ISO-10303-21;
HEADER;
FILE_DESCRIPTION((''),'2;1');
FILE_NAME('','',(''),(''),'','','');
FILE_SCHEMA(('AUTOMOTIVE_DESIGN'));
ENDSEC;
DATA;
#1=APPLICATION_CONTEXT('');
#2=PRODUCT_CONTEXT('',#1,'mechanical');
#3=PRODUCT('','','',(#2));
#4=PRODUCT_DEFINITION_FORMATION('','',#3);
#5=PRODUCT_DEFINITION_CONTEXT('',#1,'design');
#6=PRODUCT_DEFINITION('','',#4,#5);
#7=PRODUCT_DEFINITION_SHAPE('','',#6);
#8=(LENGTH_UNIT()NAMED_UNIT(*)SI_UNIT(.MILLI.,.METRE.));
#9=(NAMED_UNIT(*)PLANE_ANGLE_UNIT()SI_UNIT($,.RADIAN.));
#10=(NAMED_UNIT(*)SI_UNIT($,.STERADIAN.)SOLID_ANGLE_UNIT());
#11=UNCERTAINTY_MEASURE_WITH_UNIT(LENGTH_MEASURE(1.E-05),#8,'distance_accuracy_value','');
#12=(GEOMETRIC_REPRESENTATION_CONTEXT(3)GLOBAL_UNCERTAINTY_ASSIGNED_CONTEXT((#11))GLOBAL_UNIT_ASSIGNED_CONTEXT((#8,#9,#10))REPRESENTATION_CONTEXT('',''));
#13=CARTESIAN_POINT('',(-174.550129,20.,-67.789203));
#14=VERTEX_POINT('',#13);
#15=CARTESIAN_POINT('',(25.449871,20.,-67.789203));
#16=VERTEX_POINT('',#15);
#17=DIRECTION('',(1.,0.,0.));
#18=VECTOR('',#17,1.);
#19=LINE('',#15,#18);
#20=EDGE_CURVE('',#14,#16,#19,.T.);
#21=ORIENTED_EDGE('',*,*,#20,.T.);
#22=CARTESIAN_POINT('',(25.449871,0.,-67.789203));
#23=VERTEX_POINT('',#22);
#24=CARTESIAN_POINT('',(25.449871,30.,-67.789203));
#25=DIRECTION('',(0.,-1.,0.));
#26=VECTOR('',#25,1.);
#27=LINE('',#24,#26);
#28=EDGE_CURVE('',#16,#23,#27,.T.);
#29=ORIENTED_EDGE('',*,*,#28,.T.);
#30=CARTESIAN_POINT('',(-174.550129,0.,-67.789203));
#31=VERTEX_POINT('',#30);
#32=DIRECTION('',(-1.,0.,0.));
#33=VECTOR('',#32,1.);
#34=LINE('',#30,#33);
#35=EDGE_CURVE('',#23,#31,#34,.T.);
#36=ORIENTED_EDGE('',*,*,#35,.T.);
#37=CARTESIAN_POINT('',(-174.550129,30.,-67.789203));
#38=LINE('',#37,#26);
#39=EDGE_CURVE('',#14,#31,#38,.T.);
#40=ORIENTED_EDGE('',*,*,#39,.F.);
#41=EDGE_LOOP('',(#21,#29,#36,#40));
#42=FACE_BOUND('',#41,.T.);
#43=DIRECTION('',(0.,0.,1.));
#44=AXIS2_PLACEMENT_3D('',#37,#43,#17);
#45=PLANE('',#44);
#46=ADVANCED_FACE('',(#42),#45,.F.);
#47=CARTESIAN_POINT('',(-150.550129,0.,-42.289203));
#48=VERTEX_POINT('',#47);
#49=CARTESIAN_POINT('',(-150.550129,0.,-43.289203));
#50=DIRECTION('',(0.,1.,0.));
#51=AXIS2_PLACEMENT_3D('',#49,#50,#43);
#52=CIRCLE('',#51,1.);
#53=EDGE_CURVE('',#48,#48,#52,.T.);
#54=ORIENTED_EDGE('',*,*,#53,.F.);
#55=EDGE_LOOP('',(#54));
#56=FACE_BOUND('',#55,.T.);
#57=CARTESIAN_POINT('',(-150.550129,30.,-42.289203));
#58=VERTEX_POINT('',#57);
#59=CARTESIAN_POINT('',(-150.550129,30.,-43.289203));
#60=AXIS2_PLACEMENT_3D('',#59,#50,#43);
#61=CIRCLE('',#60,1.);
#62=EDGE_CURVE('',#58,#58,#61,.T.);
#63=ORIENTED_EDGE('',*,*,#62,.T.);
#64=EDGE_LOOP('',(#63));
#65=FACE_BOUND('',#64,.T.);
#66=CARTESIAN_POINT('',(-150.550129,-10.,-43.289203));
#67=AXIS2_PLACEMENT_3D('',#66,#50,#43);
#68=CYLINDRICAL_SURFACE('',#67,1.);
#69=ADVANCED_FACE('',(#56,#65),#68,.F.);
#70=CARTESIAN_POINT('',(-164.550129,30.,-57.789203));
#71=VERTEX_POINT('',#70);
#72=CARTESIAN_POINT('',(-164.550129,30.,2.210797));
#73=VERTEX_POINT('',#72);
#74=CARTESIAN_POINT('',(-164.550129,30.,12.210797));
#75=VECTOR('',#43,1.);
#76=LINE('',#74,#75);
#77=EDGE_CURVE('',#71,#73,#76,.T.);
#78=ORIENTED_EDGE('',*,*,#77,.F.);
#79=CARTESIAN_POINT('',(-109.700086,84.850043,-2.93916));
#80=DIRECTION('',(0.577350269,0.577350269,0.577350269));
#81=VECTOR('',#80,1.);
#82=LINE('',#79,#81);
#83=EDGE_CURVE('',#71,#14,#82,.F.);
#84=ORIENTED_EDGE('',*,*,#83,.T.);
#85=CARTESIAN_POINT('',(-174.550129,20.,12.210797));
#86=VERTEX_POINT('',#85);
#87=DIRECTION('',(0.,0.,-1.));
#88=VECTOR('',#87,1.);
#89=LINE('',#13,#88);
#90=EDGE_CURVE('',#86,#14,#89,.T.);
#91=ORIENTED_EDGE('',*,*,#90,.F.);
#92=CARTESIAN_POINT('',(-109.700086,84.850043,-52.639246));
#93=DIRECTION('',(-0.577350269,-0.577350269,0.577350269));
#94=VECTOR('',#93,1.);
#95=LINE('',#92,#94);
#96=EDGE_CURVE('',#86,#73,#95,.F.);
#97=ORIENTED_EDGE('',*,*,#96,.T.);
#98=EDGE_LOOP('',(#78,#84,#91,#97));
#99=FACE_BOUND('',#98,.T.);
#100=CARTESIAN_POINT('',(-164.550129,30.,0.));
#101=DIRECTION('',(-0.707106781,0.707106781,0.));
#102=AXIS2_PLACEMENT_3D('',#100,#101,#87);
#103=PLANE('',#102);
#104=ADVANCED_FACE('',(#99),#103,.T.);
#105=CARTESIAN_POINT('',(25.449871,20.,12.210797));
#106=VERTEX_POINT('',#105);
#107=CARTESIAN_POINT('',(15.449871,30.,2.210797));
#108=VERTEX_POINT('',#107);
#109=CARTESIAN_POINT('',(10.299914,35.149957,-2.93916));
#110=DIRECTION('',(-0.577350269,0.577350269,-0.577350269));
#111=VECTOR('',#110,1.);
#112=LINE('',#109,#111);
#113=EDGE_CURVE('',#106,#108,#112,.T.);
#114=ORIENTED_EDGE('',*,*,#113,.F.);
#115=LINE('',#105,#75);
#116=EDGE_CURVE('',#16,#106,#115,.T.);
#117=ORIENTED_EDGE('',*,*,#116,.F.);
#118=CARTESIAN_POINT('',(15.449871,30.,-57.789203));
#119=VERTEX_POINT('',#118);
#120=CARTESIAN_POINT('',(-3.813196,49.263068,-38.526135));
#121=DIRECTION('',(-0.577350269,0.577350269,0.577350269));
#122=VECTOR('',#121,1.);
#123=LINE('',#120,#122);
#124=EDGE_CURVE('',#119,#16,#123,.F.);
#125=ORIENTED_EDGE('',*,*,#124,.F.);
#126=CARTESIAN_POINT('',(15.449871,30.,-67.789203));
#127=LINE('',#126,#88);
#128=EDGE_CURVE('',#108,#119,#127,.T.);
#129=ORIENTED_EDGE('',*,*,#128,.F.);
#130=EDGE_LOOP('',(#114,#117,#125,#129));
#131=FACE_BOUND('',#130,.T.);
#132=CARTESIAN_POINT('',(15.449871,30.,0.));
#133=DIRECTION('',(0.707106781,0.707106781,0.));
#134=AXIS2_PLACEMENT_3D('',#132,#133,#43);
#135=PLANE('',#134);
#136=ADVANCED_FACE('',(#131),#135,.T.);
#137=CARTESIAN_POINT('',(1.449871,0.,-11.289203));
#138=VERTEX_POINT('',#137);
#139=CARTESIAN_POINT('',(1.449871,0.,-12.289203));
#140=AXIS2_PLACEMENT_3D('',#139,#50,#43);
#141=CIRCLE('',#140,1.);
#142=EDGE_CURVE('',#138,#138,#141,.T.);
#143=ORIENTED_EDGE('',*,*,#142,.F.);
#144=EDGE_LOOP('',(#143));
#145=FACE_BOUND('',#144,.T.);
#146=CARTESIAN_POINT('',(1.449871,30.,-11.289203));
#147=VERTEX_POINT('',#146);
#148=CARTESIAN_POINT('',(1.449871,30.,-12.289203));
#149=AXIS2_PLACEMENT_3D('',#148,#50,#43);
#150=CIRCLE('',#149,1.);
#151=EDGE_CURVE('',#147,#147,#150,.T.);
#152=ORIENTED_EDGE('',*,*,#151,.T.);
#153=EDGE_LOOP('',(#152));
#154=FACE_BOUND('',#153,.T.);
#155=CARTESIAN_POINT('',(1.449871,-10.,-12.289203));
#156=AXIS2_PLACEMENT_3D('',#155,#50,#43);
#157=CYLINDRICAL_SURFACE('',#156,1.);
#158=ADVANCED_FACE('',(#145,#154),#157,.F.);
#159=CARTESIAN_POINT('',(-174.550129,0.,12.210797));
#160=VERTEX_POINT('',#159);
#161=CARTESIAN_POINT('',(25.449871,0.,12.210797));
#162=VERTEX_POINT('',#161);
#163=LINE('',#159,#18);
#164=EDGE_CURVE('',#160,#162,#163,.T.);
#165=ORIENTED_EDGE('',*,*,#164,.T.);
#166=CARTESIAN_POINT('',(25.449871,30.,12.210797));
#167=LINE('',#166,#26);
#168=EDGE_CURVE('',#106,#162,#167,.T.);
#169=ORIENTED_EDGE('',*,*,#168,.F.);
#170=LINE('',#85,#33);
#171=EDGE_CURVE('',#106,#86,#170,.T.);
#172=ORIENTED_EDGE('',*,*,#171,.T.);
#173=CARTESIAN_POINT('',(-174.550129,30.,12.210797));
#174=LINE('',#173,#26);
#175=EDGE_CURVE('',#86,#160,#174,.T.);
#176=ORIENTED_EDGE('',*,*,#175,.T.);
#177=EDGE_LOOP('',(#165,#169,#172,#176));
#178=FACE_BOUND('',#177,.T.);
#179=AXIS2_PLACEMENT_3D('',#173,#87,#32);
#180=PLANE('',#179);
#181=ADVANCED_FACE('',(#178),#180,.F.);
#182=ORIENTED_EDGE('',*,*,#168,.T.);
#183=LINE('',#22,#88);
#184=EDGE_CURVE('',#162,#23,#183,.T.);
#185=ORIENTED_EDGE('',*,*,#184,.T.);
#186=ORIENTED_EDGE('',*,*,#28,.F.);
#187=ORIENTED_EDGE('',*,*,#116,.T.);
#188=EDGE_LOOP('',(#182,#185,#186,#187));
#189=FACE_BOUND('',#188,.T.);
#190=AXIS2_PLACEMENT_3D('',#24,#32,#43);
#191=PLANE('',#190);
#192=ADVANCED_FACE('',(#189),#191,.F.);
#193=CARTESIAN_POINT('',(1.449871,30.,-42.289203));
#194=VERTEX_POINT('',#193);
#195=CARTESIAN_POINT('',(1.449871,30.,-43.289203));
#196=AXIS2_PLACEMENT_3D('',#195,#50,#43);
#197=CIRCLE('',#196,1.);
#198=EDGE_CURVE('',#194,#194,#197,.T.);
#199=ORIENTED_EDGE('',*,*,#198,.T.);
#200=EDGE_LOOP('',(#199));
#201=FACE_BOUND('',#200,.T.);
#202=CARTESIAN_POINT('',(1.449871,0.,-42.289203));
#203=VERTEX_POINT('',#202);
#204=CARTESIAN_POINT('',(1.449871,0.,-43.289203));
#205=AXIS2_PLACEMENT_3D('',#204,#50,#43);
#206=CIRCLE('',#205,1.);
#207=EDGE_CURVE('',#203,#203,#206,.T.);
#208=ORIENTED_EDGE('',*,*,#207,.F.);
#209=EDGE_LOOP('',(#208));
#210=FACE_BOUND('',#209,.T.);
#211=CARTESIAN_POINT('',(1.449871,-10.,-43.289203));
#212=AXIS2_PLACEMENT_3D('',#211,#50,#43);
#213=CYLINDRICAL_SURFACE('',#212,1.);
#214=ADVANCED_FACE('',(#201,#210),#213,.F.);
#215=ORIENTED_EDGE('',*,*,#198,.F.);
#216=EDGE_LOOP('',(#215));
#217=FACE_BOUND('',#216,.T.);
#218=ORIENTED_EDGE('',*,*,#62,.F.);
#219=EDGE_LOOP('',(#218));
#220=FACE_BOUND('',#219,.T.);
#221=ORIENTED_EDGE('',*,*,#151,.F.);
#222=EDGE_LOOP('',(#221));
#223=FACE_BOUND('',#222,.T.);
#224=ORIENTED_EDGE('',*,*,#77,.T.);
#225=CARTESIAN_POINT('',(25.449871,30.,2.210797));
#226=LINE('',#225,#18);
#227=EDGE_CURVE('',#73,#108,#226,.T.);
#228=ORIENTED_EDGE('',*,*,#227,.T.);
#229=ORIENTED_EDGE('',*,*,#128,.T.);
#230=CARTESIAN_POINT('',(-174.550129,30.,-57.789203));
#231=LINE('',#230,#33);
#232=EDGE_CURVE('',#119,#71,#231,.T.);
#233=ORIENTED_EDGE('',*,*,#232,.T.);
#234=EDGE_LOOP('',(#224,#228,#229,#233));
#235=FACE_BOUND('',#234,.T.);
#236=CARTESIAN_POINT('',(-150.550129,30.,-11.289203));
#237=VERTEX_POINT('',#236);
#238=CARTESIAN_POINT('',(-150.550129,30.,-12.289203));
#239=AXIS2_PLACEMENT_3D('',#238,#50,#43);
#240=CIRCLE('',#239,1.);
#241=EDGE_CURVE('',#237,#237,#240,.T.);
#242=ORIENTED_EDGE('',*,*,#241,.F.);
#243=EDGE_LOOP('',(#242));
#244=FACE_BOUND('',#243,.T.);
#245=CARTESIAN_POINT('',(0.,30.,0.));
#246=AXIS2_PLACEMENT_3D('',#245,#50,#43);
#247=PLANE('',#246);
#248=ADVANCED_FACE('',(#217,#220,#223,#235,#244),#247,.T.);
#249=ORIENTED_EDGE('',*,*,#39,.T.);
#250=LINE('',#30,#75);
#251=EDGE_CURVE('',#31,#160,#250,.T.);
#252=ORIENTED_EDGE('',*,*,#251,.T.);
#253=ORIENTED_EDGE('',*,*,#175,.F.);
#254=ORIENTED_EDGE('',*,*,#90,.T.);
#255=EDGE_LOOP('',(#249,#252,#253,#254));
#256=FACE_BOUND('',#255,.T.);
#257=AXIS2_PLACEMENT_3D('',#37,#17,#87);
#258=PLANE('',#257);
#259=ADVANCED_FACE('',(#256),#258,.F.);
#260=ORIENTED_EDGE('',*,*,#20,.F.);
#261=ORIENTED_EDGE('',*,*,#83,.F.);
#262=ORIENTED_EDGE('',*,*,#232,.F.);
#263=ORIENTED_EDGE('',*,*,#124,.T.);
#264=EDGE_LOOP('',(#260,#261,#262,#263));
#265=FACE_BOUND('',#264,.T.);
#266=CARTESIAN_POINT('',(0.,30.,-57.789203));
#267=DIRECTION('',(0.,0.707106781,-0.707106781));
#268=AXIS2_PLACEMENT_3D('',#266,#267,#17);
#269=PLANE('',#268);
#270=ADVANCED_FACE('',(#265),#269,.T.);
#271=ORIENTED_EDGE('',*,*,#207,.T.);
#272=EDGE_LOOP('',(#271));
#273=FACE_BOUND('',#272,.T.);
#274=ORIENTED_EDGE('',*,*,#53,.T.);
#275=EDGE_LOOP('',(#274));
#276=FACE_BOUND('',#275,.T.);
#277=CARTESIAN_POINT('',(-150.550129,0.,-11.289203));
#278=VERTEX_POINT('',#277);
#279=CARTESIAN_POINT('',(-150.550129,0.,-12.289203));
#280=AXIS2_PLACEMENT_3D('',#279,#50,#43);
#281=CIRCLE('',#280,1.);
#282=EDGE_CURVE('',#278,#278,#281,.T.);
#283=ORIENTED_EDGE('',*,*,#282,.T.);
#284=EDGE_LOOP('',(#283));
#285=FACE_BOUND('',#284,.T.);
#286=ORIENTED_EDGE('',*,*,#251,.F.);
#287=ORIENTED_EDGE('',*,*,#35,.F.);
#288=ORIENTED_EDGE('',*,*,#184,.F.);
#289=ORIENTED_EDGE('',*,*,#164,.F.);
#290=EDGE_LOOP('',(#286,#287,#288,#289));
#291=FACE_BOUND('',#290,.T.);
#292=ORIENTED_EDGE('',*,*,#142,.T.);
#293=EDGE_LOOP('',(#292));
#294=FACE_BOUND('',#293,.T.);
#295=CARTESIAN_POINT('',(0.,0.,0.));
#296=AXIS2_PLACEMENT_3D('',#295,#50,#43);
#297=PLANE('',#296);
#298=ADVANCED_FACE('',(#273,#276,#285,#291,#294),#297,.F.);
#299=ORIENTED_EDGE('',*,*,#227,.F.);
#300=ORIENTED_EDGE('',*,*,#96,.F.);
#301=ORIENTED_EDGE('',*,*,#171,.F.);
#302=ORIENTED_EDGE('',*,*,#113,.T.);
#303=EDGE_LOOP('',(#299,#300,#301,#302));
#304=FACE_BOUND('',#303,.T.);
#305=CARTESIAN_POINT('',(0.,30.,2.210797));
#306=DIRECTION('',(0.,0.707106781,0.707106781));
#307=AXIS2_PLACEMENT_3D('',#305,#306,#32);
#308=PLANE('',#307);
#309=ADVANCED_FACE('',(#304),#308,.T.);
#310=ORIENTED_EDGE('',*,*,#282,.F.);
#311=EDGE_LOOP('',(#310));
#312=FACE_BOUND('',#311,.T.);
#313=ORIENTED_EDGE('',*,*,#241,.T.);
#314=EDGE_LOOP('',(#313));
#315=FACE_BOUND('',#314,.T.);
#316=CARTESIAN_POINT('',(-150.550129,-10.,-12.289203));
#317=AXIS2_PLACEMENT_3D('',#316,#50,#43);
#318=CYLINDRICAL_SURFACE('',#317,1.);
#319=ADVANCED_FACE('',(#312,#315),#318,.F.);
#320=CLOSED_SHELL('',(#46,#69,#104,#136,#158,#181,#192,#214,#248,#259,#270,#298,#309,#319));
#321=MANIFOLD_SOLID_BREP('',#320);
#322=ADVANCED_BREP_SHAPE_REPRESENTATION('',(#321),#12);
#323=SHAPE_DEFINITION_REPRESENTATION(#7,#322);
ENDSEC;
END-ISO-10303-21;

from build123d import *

# Parameters (mm, degrees)
SKETCH1_W            = 200
SKETCH1_H            = 80
BOSS_EXTRUDE1_DEPTH  = 30
CHAMFER1_SIZE        = 10
SKETCH2_R            = 1
CUT_EXTRUDE1_DEPTH   = 40
LPATTERN1_COUNT      = 3
LPATTERN1_PITCH      = 152
LPATTERN1_COUNT_DIR2 = 2
LPATTERN1_PITCH_DIR2 = 31


with BuildPart() as part:
    # Sketch1 → Boss-Extrude1 (new body)
    with BuildSketch(Plane(origin=(0, 0, 0), x_dir=(1, 0, 0), z_dir=(0, 1, 0))):
        with Locations((-74.550128535, 27.789203085)):
            Rectangle(SKETCH1_W, SKETCH1_H)
    extrude(amount=BOSS_EXTRUDE1_DEPTH)

    # Chamfer1
    chamfer1_edges = [part.edges().sort_by_distance(p)[0] for p in [
        (-174.550128535, 30, -27.789203085),
        (-74.550128535, 30, 12.210796915),
        (25.449871465, 30, -27.789203085),
        (-74.550128535, 30, -67.789203085),
    ]]
    chamfer(chamfer1_edges, length=CHAMFER1_SIZE)

    # Sketch2 → Cut-Extrude1 (cut)
    with BuildSketch(Plane(origin=(0, 30, 0), x_dir=(1, 0, 0), z_dir=(0, 1, 0))):
        with Locations(Location((1.449871465, 43.289203085, 0), (0, 0, 270))):
            Circle(SKETCH2_R)
    cut_extrude1 = extrude(amount=-CUT_EXTRUDE1_DEPTH, mode=Mode.SUBTRACT)

    # LPattern1: Cut-Extrude1 3 × 2
    with Locations(*[(-i * LPATTERN1_PITCH, 0, j * LPATTERN1_PITCH_DIR2) for i in range(LPATTERN1_COUNT) for j in range(LPATTERN1_COUNT_DIR2) if (i, j) != (0, 0)]):
        add(cut_extrude1, mode=Mode.SUBTRACT)


solid = part.part
